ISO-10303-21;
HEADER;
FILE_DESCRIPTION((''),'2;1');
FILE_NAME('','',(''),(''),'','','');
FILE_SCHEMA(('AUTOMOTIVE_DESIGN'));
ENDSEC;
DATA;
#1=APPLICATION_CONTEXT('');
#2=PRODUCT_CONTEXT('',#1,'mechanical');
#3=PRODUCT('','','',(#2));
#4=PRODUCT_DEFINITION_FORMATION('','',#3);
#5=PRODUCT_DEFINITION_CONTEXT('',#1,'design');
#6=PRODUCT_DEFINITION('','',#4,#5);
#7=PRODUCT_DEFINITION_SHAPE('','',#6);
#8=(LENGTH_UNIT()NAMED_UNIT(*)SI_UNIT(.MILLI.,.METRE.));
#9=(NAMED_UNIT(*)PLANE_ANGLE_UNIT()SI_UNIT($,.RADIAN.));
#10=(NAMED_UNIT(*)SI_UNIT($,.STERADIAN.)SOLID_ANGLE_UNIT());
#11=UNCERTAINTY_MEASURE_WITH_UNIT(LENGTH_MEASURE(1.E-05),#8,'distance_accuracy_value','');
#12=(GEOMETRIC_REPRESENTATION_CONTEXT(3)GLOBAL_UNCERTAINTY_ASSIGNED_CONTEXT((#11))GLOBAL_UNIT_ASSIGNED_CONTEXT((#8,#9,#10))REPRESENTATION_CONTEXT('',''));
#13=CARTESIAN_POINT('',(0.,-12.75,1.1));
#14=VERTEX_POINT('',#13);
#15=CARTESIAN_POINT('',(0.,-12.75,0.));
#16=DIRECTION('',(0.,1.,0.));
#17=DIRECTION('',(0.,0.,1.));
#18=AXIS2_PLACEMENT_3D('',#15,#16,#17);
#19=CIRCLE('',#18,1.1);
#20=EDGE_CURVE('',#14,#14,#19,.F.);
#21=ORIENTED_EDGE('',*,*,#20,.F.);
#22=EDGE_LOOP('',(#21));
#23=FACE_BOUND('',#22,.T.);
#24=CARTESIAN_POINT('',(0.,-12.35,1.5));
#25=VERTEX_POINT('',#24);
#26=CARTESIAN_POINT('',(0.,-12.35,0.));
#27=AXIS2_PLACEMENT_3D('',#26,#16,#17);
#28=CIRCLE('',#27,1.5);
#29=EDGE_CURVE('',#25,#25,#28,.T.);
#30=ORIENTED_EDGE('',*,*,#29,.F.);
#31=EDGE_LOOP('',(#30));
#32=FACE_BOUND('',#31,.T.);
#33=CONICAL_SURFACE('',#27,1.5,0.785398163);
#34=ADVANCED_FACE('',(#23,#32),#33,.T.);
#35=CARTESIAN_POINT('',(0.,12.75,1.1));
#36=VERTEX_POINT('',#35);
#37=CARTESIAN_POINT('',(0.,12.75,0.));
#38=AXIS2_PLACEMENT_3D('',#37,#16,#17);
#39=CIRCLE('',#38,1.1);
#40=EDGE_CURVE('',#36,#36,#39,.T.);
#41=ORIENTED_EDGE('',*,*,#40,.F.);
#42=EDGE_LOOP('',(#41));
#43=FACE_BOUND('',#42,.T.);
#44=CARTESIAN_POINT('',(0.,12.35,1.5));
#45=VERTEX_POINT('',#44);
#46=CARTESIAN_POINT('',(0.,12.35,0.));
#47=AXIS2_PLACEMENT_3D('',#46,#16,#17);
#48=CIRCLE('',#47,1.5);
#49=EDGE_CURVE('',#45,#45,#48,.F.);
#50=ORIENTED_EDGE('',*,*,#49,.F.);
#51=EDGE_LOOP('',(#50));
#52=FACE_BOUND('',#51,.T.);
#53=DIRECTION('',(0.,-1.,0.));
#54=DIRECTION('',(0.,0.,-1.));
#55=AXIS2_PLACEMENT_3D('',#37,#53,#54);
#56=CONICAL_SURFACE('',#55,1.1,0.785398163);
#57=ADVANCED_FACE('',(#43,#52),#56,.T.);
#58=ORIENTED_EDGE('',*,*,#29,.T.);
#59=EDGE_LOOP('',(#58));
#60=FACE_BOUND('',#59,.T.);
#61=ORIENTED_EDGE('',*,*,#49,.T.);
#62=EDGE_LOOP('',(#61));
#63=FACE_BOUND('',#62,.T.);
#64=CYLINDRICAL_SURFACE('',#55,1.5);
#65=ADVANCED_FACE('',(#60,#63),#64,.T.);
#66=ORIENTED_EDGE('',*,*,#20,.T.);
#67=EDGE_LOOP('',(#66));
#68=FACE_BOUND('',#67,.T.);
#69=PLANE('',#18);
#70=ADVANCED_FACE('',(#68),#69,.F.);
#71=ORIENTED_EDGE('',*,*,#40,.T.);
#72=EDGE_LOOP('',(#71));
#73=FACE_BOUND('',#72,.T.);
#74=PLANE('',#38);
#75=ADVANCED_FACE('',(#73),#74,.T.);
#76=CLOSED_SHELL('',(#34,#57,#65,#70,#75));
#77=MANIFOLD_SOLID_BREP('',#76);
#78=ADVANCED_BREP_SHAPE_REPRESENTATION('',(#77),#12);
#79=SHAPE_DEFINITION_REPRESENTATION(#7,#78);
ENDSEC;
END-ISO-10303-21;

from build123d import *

# Parameters (mm, degrees)
SKETCH1_R           = 1.5
BOSS_EXTRUDE1_DEPTH = 12.75
CHAMFER1_SIZE       = 0.4


with BuildPart() as part:
    # Sketch1 → Boss-Extrude1 (new body, symmetric)
    with BuildSketch(Plane(origin=(0, 0, 0), x_dir=(1, 0, 0), z_dir=(0, 1, 0))):
        Circle(SKETCH1_R)
    extrude(amount=BOSS_EXTRUDE1_DEPTH, both=True)

    # Chamfer1
    chamfer1_edges = [part.edges().sort_by_distance(p)[0] for p in [
        (-1.5, -12.75, 0),
        (-1.5, 12.75, 0),
    ]]
    chamfer(chamfer1_edges, length=CHAMFER1_SIZE)


solid = part.part
